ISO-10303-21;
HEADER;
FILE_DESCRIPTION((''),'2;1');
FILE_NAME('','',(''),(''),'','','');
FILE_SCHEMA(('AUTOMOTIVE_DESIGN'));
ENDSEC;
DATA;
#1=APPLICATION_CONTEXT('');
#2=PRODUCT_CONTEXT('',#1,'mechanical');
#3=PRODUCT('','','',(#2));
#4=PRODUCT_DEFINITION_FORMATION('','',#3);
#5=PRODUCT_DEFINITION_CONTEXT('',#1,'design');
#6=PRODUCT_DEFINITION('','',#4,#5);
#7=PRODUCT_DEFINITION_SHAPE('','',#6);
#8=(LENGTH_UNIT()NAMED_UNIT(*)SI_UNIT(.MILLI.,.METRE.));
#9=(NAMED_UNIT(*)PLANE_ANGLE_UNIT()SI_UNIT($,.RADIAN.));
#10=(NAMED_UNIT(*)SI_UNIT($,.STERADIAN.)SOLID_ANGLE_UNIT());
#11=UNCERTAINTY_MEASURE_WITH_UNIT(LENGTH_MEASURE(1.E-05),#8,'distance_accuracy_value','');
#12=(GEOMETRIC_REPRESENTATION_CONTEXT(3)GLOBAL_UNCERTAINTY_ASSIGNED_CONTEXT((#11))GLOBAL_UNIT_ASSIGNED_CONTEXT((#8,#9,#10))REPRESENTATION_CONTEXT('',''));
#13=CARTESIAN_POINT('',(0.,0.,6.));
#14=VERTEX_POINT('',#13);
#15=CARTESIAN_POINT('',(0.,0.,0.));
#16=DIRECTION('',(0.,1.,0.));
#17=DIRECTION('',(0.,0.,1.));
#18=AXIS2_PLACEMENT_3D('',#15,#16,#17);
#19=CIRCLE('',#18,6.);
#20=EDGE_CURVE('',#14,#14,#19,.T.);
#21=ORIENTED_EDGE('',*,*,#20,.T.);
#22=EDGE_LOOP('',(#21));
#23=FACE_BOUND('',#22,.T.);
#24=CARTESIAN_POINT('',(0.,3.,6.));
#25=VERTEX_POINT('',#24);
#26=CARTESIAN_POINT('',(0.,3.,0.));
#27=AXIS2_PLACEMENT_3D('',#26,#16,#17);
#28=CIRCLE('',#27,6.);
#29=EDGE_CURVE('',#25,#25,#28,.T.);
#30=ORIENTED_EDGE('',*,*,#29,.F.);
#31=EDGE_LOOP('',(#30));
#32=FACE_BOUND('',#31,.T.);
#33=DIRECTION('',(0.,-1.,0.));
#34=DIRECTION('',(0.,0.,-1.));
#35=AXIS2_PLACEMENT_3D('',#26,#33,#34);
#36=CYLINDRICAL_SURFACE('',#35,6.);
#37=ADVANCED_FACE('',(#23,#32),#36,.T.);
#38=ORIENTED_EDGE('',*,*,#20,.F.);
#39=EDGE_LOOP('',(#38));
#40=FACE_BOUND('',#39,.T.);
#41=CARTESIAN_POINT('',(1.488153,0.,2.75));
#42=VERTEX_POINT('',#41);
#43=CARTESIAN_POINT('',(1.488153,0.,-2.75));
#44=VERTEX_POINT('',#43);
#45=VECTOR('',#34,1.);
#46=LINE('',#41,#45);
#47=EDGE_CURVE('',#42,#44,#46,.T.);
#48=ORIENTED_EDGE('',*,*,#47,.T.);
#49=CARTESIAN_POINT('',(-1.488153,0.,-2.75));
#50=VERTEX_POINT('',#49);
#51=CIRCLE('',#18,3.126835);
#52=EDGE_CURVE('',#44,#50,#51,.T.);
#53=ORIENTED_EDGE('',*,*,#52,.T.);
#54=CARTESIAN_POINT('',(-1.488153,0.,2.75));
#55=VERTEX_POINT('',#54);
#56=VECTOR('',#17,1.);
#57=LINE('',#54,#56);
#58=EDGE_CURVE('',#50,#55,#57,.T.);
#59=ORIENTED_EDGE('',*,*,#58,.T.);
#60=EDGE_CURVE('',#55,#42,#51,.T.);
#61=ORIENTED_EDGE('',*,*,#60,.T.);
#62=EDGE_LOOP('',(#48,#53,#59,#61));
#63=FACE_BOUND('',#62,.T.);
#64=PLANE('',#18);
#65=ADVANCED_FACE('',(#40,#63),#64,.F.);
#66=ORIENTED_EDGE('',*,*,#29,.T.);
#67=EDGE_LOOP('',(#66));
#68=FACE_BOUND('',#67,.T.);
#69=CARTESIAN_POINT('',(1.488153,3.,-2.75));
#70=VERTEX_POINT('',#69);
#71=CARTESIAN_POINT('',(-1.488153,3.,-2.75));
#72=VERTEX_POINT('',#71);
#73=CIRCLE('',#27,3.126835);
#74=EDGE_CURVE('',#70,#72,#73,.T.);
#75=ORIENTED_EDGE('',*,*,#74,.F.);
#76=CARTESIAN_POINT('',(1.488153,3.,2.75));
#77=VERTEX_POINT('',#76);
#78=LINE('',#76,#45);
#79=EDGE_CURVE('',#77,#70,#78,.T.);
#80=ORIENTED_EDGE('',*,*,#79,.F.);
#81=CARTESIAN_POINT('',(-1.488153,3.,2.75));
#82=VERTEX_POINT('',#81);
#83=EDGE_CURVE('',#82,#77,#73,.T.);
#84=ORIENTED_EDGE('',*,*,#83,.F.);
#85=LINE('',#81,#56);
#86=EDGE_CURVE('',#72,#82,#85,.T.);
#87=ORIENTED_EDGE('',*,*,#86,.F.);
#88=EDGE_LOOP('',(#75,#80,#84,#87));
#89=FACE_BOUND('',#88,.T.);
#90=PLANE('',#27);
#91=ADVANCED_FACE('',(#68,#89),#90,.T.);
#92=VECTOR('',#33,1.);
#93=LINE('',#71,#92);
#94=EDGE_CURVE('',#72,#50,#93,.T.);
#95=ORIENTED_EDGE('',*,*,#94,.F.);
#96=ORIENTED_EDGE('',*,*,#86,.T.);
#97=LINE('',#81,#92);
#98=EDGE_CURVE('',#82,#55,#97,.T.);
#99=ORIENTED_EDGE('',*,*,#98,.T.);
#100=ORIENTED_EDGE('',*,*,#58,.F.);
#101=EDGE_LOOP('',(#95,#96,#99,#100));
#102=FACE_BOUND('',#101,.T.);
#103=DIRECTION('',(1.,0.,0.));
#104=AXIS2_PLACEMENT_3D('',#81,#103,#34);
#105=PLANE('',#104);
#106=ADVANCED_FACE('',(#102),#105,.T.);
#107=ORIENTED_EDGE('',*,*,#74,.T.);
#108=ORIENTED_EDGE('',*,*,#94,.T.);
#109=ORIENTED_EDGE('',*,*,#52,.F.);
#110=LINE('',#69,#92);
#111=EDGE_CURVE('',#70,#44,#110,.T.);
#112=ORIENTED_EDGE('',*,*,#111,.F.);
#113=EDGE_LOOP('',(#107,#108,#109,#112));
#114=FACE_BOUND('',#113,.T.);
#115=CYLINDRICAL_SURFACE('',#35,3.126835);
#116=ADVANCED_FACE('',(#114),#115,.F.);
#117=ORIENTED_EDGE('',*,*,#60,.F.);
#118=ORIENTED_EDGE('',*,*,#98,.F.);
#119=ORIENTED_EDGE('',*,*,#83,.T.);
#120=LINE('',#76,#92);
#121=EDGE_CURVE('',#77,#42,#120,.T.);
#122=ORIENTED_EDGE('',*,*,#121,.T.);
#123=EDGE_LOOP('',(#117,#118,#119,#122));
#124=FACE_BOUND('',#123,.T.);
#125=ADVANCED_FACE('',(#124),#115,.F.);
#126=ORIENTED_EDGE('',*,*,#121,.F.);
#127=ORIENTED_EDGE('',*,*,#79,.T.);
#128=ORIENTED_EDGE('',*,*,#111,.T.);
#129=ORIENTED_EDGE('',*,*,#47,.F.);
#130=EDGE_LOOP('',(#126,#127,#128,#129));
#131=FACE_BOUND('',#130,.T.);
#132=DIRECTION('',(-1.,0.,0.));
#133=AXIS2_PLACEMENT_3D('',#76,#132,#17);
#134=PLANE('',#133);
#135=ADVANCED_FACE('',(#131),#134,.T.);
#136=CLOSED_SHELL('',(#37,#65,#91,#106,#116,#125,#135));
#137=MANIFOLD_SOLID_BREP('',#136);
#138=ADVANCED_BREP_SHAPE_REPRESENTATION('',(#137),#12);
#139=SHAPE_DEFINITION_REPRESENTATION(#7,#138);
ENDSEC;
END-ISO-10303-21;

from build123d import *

# Parameters (mm, degrees)
SKETCH1_R           = 6
BOSS_EXTRUDE1_DEPTH = 3


with BuildPart() as part:
    # Sketch1 → Boss-Extrude1 (new body)
    with BuildSketch(Plane(origin=(0, 0, 0), x_dir=(1, 0, 0), z_dir=(0, 1, 0))):
        with Locations(Location((0, 0, 0), (0, 0, 270))):
            Circle(SKETCH1_R)
        with BuildLine():
            Line((-1.488152916, -2.75), (-1.488152916, 2.75))
            ThreePointArc((-1.488152916, 2.75), (0, 3.126835317), (1.488152916, 2.75))
            Line((1.488152916, 2.75), (1.488152916, -2.75))
            ThreePointArc((1.488152916, -2.75), (0, -3.126835317), (-1.488152916, -2.75))
        make_face(mode=Mode.SUBTRACT)
    extrude(amount=BOSS_EXTRUDE1_DEPTH)


solid = part.part
